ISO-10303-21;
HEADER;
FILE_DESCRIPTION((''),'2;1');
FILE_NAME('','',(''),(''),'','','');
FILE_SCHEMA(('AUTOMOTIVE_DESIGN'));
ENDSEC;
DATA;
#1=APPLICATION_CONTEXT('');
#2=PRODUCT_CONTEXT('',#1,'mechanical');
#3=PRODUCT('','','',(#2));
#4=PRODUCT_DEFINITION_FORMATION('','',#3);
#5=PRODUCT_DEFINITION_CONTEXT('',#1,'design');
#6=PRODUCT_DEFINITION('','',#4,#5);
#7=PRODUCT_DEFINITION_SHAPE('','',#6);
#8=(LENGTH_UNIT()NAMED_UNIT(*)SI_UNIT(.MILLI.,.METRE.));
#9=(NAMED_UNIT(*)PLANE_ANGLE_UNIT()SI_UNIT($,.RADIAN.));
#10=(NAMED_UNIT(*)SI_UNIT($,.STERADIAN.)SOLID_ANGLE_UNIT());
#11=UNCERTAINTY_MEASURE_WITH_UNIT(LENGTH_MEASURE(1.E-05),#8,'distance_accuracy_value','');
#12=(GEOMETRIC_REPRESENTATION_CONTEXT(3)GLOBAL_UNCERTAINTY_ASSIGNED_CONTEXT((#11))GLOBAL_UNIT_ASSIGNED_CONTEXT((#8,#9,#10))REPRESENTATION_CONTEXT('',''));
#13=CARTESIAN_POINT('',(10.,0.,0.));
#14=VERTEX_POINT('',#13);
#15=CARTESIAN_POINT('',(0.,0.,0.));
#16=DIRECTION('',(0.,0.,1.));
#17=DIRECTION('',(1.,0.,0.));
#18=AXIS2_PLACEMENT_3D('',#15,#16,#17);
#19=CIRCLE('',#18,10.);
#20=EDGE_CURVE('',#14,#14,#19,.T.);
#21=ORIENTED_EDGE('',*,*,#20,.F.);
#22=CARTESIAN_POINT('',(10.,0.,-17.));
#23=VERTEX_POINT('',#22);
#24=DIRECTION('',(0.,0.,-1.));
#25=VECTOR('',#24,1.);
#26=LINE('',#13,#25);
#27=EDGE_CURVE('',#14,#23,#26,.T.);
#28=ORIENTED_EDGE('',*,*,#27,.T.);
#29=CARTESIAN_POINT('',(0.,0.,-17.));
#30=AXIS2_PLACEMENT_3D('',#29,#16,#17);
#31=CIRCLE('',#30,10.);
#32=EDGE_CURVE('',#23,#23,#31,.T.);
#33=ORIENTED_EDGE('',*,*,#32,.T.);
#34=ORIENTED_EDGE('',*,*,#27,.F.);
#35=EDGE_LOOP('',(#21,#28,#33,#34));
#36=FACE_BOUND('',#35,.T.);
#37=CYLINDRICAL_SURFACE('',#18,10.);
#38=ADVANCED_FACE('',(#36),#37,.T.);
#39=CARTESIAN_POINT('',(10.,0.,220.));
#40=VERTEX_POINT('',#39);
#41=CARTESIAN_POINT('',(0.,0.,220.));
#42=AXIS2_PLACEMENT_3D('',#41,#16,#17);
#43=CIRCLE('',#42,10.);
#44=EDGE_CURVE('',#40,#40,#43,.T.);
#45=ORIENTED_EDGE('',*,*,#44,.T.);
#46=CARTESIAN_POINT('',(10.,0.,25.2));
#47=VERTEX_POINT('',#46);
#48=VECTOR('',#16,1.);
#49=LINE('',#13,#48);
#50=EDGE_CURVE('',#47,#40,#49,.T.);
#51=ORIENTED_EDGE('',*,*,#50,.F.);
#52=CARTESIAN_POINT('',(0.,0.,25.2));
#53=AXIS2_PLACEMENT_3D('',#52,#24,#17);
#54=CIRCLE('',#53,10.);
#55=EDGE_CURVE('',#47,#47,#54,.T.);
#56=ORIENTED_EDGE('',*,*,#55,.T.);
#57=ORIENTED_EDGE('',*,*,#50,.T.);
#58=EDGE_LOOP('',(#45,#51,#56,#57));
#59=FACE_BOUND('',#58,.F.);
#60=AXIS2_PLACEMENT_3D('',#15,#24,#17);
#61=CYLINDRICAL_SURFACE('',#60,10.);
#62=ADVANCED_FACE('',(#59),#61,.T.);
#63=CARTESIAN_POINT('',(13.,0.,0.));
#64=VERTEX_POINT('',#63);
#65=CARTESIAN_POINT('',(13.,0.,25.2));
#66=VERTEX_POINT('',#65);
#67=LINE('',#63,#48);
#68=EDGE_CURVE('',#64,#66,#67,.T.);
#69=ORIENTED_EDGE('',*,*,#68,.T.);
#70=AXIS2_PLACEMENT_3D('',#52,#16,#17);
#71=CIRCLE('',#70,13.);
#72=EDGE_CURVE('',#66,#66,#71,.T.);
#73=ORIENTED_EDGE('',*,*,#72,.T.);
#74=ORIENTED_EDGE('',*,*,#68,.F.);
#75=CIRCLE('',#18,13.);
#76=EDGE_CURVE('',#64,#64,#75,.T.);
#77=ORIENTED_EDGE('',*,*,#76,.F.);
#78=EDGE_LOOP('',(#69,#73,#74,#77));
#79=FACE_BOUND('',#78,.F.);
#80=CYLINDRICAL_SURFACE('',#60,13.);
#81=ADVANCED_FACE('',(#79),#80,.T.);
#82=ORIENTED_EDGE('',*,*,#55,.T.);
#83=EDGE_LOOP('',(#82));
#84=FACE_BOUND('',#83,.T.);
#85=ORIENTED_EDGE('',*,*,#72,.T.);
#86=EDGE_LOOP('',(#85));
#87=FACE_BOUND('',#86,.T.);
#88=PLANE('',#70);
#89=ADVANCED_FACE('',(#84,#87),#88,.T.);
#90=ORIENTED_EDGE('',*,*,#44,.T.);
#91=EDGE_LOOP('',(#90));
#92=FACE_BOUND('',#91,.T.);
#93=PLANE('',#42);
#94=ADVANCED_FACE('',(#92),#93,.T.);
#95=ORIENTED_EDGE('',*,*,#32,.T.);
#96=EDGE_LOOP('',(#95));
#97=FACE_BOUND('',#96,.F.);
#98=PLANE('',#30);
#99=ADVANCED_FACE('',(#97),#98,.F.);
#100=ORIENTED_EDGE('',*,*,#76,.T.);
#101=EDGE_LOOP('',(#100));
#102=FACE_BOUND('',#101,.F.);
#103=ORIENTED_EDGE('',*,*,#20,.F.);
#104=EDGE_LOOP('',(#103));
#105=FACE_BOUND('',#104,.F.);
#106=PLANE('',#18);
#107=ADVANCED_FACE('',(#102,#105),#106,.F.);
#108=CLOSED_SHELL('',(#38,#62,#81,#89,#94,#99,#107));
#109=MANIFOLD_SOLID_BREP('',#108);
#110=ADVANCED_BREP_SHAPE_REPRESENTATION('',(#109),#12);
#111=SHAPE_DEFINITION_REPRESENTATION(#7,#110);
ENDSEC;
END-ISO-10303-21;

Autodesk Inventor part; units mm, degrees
ref_plane "YZ Plane" through (0, 0, 0) normal (1, 0, 0) x (0, 1, 0)
ref_plane "XZ Plane" through (0, 0, 0) normal (0, 1, 0) x (-1, 0, 0)
ref_plane "XY Plane" through (0, 0, 0) normal (0, 0, 1) x (1, 0, 0)
sketch "Sketch1" plane through (0, 0, 0) normal (0, 0, 1) x (1, 0, 0)
  circle A0 centre (0, 0) radius 10
  circle A1 centre (0, 0) radius 13
  dimension "d0" = 20
  dimension "d1" = 3
extrude "Extrusion1" add sketch "Sketch1" along normal blind 25.2 contours A0 | A1
extrude "Extrusion2" add sketch "Sketch1" against normal blind 17 contours A0
extrude "Extrusion3" add sketch "Sketch1" along normal blind 220 contours A0
properties part number "Axle1" material "Aluminum 6061"
